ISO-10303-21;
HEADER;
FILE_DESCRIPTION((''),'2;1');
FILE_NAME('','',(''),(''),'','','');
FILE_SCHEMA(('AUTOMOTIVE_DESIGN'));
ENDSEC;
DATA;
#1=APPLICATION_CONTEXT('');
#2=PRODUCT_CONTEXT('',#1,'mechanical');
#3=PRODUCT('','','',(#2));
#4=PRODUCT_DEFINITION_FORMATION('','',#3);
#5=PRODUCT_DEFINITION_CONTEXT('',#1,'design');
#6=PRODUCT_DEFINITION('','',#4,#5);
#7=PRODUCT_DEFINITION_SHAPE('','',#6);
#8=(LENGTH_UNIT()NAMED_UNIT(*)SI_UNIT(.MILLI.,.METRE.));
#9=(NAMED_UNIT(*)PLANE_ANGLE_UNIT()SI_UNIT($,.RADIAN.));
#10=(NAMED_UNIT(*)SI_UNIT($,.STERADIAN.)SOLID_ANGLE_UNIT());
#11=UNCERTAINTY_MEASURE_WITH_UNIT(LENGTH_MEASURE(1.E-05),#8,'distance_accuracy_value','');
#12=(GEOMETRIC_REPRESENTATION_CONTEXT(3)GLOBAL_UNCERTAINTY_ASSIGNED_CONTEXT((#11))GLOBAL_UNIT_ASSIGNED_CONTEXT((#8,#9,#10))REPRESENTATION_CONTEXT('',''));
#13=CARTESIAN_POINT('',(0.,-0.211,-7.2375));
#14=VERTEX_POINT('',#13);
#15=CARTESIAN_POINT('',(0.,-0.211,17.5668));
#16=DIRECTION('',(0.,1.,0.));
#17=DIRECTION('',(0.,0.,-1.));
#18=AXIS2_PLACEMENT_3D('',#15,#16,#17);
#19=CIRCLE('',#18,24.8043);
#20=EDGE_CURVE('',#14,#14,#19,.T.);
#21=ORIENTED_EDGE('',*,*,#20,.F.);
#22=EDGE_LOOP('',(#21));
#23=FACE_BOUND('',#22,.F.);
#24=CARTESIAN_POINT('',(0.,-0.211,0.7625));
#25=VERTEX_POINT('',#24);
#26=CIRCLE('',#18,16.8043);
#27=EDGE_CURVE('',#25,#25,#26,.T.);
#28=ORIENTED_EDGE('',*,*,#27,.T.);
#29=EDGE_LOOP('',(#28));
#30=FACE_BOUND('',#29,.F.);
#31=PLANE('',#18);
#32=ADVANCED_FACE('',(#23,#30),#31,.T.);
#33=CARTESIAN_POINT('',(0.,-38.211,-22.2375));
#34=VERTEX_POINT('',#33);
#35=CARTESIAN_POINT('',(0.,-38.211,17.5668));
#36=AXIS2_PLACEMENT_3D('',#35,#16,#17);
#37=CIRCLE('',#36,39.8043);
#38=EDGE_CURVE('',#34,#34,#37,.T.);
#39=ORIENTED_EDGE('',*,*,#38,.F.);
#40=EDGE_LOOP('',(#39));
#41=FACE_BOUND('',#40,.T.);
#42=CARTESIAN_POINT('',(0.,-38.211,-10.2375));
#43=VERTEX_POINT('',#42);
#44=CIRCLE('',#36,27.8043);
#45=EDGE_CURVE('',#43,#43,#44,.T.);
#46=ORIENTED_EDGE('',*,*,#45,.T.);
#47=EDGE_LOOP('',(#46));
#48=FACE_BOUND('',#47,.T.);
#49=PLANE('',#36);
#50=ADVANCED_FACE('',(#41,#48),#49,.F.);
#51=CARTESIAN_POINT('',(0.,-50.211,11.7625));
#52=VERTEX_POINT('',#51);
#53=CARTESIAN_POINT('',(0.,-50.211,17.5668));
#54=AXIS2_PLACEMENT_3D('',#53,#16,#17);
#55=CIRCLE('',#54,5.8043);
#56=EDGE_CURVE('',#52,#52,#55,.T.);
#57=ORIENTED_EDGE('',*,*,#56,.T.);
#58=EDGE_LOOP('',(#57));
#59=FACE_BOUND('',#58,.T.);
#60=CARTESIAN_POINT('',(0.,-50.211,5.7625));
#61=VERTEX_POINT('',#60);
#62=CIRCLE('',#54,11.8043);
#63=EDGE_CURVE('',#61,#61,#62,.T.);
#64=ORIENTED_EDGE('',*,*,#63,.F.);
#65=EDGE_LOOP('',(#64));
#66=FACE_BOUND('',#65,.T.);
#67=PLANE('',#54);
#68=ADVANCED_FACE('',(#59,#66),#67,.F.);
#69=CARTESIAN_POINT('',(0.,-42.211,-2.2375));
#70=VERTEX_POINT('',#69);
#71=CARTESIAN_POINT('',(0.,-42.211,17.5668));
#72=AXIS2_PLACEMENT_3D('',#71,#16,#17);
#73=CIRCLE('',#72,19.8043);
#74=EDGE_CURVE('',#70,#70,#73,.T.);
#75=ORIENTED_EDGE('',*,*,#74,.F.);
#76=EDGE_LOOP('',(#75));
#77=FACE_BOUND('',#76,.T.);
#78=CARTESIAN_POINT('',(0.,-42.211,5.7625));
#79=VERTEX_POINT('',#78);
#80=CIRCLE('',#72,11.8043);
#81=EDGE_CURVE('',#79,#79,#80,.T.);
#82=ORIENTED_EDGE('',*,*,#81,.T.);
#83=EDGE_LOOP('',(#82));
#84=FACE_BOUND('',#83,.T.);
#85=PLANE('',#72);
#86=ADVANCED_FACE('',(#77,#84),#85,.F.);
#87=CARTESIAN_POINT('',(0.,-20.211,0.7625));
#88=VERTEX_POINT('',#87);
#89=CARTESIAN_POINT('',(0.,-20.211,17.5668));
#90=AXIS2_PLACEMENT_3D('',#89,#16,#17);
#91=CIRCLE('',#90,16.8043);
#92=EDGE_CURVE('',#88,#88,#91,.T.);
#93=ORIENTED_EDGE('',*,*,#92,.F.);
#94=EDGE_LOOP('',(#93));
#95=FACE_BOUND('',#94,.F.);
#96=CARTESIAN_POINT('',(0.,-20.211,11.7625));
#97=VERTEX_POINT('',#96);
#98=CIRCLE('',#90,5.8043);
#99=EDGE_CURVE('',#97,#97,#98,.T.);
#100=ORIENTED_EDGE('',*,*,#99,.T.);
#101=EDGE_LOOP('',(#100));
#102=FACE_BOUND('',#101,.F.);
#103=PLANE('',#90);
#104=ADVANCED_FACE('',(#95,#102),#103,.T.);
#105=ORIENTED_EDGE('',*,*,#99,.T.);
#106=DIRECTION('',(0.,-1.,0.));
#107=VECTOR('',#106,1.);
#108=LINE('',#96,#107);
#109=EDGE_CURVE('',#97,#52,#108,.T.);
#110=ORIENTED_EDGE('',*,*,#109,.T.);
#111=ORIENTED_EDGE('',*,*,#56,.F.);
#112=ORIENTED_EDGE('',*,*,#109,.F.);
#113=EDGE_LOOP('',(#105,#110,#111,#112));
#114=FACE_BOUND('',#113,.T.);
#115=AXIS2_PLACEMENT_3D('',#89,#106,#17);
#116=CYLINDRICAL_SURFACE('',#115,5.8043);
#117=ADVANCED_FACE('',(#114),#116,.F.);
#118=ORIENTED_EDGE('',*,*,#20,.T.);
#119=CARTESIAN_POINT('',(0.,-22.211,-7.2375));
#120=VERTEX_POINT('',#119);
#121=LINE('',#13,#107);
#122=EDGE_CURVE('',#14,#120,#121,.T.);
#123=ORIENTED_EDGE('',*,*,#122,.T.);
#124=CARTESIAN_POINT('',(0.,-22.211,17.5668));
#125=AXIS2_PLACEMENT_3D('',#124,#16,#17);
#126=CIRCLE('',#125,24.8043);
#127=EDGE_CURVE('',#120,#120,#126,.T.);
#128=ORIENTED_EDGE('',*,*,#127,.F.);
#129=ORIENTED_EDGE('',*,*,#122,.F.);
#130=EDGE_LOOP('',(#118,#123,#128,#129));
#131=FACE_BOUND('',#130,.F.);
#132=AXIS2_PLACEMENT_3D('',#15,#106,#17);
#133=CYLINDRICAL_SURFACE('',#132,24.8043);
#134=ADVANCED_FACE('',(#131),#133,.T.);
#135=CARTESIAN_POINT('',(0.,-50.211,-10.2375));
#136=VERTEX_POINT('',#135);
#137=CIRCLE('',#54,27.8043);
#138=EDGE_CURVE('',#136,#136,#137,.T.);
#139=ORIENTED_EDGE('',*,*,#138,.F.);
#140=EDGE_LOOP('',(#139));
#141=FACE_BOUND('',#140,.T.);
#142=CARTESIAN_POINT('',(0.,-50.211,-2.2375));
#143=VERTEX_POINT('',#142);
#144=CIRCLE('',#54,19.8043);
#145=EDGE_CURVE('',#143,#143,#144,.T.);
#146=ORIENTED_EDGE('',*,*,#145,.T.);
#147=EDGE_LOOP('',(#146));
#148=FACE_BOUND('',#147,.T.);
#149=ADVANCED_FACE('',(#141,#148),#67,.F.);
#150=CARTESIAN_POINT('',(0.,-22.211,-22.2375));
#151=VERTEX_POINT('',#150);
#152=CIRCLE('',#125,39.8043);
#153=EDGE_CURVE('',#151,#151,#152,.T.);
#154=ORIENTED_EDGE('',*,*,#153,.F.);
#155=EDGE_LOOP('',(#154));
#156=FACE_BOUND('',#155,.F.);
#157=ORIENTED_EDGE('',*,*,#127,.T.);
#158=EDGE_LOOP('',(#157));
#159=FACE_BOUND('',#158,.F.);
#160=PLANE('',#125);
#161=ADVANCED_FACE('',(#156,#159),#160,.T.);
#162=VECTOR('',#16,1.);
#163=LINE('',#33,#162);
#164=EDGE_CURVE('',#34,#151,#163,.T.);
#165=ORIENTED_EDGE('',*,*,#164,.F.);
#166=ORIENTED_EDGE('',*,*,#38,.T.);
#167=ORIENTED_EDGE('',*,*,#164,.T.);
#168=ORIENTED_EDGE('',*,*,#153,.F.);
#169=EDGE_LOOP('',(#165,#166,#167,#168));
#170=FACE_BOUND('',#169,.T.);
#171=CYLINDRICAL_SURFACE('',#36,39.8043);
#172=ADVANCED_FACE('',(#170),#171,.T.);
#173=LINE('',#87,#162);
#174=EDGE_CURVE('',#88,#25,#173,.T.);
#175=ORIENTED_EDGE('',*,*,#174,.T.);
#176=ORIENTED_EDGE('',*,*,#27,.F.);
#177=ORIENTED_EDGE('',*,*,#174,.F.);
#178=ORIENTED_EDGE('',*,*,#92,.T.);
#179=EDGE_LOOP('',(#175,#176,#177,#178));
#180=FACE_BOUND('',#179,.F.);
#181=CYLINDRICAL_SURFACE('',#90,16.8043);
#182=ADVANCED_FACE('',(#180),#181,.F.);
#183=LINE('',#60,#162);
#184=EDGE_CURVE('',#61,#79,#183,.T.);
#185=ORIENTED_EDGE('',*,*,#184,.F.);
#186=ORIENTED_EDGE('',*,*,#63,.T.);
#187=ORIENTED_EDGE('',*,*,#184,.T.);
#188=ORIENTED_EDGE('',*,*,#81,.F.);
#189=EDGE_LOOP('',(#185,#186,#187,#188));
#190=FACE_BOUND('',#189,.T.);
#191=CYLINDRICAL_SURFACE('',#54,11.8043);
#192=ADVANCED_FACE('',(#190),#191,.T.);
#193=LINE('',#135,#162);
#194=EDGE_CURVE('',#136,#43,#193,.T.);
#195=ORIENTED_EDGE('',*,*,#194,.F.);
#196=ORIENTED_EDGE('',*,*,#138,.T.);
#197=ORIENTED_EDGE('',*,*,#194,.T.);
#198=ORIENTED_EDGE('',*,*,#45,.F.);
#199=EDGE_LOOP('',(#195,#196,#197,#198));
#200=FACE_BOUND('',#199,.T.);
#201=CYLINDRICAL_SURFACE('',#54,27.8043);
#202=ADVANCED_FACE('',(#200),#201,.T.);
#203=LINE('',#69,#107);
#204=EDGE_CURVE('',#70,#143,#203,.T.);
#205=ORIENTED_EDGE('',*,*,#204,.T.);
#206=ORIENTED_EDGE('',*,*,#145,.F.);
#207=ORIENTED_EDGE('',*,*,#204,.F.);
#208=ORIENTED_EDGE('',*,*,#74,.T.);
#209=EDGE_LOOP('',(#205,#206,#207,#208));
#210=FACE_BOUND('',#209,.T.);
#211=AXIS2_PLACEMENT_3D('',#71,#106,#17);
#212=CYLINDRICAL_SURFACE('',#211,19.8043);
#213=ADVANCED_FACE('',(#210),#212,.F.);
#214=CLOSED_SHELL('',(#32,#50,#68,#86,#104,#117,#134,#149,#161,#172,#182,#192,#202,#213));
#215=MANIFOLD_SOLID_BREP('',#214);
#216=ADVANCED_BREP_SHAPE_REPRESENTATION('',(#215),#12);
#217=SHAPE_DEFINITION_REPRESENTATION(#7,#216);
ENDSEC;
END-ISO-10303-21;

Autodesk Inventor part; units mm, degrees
ref_plane "YZ Plane" through (0, 0, 0) normal (1, 0, 0) x (0, 1, 0)
ref_plane "XZ Plane" through (0, 0, 0) normal (0, 1, 0) x (-1, 0, 0)
ref_plane "XY Plane" through (0, 0, 0) normal (0, 0, 1) x (1, 0, 0)
sketch "Эскиз1" plane through (0, 0, 0) normal (1, 0, 0) x (0, 1, 0)
  line L0 (-20.211, 11.7625) -> (-20.211, 0.7625)
  line L1 (-20.211, 0.7625) -> (-0.211, 0.7625)
  line L2 (-0.211, 0.7625) -> (-0.211, -7.2375)
  line L3 (-0.211, -7.2375) -> (-22.211, -7.2375)
  line L4 (-22.211, -7.2375) -> (-22.211, -22.2375)
  line L5 (-20.211, 11.7625) -> (-50.211, 11.7625)
  line L6 (-50.211, 11.7625) -> (-50.211, 5.7625)
  line L7 (-50.211, 5.7625) -> (-42.211, 5.7625)
  line L8 (-42.211, 5.7625) -> (-42.211, -2.2375)
  line L9 (-42.211, -2.2375) -> (-50.211, -2.2375)
  line L10 (-50.211, -2.2375) -> (-50.211, -10.2375)
  line L11 (-50.211, -10.2375) -> (-38.211, -10.2375)
  line L12 (-38.211, -10.2375) -> (-38.211, -22.2375)
  line L13 (-38.211, -22.2375) -> (-22.211, -22.2375)
  point P0 (0, 0)
  dimension "d0" = 15
  dimension "d1" = 22
  dimension "d2" = 20
  dimension "d3" = 11
  dimension "d4" = 12
  dimension "d5" = 12
  dimension "d6" = 8
  dimension "d7" = 6
  dimension "d8" = 50
  dimension "d9" = 50
  dimension "d10" = 34
  dimension "d11" = 8
sketch "Эскиз2" plane through (0, 0, 0) normal (1, 0, 0) x (0, 1, 0)
  line L0 (-49.3354, 11.5668) -> (-49.3354, 17.5668)
  line L1 (-49.3354, 17.5668) -> (-14.2528, 17.5668)
  point P0 (0, 0)
  dimension "d12" = 6
revolve "Вращение1" add sketch "Эскиз1" angle 360 about axis through (0, -49.3354, 17.5668) along (0, 1, 0)
properties part number "Задание номер 3"
